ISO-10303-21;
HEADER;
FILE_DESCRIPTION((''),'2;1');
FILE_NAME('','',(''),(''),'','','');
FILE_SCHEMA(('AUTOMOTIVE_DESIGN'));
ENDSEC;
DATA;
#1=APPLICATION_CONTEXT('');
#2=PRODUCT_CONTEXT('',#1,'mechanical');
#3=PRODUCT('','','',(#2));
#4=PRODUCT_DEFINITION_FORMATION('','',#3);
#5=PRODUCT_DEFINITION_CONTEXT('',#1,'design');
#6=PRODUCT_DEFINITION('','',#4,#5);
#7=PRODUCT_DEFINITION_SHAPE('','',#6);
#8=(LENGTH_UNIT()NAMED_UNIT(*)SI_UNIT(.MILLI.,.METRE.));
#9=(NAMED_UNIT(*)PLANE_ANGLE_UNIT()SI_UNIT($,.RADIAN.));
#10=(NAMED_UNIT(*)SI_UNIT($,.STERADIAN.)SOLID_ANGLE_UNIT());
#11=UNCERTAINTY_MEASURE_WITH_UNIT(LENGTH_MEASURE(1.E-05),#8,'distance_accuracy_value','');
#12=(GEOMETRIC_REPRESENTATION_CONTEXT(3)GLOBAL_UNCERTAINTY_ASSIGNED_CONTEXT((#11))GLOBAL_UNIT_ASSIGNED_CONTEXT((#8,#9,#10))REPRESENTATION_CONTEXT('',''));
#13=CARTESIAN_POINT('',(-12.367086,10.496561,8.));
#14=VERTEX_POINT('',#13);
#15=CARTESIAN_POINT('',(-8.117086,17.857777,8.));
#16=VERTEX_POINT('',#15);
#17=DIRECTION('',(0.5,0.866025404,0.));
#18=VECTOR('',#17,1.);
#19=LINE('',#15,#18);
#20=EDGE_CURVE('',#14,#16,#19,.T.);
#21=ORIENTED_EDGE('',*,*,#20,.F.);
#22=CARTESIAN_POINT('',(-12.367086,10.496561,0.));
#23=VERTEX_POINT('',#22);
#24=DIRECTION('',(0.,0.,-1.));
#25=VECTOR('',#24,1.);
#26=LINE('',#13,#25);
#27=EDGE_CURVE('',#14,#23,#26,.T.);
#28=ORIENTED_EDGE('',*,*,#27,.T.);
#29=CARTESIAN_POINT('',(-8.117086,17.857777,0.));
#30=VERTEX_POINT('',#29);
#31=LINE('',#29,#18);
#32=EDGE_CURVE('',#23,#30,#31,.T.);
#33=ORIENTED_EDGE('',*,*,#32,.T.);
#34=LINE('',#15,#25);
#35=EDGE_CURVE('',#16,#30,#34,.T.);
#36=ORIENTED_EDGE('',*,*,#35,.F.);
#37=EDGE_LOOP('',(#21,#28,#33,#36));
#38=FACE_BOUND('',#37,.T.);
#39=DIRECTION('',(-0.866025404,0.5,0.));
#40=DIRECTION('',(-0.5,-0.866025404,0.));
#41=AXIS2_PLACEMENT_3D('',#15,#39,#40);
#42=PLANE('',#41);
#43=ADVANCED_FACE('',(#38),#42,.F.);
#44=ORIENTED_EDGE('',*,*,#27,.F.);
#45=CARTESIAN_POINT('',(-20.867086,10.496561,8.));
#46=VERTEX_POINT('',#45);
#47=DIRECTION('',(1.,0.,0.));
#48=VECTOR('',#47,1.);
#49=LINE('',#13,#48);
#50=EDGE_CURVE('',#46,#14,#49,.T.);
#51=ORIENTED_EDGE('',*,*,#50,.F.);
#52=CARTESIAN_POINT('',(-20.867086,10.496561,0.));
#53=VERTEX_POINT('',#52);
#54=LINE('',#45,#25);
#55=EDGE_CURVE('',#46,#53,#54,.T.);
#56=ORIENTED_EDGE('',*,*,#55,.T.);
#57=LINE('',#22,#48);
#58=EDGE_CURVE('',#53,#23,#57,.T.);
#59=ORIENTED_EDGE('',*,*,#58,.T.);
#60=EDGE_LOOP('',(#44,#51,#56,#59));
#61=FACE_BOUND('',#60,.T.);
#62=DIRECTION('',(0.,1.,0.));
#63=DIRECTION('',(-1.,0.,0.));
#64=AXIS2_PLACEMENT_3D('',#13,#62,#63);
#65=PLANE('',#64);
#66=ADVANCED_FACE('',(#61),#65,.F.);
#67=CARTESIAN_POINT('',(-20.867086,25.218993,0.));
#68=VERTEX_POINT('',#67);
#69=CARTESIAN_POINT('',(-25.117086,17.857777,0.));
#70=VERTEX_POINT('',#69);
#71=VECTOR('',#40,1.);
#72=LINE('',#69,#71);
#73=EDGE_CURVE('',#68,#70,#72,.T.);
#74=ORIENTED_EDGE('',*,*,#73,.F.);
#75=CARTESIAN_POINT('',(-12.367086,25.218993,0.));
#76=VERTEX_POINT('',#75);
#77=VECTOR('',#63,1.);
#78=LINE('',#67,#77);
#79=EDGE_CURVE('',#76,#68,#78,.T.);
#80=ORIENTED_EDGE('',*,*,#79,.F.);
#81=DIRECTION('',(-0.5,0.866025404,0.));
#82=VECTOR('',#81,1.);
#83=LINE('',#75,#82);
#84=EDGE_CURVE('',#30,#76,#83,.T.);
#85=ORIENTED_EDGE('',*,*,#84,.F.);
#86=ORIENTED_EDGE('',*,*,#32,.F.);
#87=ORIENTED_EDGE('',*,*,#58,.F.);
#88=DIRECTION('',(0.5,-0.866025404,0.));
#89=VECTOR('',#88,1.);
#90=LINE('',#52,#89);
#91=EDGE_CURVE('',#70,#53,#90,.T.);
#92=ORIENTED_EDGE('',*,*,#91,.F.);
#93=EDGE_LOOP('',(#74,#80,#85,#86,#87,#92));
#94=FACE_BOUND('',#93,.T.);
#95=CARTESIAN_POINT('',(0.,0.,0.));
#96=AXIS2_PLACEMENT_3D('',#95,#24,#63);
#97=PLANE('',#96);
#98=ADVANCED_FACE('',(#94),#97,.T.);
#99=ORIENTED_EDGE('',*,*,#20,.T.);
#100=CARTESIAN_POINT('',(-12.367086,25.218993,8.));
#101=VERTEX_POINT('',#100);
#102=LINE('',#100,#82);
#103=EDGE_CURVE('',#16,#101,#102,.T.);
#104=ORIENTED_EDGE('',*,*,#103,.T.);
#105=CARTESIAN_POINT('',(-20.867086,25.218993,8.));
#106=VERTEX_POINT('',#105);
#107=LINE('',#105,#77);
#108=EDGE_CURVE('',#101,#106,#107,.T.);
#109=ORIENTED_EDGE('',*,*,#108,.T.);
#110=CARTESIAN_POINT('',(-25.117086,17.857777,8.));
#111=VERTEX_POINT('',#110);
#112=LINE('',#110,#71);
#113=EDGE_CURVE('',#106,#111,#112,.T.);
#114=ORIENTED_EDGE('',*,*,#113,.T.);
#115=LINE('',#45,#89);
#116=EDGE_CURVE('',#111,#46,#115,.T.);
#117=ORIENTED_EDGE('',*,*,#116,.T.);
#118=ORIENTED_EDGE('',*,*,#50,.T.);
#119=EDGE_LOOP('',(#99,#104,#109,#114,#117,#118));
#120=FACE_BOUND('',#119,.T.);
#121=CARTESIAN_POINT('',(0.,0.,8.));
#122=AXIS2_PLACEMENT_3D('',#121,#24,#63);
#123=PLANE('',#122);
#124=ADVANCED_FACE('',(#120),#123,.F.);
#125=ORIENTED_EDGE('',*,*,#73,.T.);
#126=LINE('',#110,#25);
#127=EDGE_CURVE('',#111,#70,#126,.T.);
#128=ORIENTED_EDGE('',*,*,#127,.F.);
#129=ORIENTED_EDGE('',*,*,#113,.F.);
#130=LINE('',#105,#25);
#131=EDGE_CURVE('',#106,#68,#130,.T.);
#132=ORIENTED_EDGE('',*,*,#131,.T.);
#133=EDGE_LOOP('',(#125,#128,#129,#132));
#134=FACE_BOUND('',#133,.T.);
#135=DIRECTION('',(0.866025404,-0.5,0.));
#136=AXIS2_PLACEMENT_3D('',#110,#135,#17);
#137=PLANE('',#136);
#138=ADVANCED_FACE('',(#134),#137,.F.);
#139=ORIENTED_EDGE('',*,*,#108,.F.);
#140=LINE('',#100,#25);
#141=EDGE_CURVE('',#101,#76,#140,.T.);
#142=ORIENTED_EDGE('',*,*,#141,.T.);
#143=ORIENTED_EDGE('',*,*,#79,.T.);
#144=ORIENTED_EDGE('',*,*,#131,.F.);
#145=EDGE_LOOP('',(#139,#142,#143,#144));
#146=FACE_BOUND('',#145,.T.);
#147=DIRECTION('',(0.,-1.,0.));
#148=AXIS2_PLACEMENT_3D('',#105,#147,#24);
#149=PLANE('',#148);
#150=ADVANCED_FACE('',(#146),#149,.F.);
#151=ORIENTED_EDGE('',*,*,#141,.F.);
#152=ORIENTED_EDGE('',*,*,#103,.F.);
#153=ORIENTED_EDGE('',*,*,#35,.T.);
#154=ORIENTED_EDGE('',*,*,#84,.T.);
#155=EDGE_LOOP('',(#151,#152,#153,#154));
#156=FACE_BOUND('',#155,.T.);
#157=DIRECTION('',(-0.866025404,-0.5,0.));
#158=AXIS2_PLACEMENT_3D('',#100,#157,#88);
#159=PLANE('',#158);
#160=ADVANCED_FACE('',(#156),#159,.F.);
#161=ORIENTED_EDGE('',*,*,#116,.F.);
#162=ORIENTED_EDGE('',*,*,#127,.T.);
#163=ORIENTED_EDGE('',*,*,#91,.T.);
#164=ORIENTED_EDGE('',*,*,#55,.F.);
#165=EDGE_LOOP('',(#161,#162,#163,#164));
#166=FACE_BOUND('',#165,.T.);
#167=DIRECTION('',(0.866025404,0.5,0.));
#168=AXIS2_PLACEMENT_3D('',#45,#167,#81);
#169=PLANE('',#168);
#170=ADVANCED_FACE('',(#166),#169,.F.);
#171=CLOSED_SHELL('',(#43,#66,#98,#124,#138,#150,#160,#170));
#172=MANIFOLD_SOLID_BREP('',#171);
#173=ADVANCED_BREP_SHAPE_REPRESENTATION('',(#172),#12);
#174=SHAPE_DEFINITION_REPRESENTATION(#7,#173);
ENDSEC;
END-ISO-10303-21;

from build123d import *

# Parameters (mm, degrees)
BOSS_EXTRUDE1_DEPTH = 8


with BuildPart() as part:
    # Sketch1 → Boss-Extrude1 (new body)
    with BuildSketch(Plane.XY):
        Polygon((-20.867086356, 25.218992545), (-12.367086356, 25.218992545), (-8.117086356, 17.857776613), (-12.367086356, 10.496560681), (-20.867086356, 10.496560681), (-25.117086356, 17.857776613), align=None)
    extrude(amount=BOSS_EXTRUDE1_DEPTH)


solid = part.part
